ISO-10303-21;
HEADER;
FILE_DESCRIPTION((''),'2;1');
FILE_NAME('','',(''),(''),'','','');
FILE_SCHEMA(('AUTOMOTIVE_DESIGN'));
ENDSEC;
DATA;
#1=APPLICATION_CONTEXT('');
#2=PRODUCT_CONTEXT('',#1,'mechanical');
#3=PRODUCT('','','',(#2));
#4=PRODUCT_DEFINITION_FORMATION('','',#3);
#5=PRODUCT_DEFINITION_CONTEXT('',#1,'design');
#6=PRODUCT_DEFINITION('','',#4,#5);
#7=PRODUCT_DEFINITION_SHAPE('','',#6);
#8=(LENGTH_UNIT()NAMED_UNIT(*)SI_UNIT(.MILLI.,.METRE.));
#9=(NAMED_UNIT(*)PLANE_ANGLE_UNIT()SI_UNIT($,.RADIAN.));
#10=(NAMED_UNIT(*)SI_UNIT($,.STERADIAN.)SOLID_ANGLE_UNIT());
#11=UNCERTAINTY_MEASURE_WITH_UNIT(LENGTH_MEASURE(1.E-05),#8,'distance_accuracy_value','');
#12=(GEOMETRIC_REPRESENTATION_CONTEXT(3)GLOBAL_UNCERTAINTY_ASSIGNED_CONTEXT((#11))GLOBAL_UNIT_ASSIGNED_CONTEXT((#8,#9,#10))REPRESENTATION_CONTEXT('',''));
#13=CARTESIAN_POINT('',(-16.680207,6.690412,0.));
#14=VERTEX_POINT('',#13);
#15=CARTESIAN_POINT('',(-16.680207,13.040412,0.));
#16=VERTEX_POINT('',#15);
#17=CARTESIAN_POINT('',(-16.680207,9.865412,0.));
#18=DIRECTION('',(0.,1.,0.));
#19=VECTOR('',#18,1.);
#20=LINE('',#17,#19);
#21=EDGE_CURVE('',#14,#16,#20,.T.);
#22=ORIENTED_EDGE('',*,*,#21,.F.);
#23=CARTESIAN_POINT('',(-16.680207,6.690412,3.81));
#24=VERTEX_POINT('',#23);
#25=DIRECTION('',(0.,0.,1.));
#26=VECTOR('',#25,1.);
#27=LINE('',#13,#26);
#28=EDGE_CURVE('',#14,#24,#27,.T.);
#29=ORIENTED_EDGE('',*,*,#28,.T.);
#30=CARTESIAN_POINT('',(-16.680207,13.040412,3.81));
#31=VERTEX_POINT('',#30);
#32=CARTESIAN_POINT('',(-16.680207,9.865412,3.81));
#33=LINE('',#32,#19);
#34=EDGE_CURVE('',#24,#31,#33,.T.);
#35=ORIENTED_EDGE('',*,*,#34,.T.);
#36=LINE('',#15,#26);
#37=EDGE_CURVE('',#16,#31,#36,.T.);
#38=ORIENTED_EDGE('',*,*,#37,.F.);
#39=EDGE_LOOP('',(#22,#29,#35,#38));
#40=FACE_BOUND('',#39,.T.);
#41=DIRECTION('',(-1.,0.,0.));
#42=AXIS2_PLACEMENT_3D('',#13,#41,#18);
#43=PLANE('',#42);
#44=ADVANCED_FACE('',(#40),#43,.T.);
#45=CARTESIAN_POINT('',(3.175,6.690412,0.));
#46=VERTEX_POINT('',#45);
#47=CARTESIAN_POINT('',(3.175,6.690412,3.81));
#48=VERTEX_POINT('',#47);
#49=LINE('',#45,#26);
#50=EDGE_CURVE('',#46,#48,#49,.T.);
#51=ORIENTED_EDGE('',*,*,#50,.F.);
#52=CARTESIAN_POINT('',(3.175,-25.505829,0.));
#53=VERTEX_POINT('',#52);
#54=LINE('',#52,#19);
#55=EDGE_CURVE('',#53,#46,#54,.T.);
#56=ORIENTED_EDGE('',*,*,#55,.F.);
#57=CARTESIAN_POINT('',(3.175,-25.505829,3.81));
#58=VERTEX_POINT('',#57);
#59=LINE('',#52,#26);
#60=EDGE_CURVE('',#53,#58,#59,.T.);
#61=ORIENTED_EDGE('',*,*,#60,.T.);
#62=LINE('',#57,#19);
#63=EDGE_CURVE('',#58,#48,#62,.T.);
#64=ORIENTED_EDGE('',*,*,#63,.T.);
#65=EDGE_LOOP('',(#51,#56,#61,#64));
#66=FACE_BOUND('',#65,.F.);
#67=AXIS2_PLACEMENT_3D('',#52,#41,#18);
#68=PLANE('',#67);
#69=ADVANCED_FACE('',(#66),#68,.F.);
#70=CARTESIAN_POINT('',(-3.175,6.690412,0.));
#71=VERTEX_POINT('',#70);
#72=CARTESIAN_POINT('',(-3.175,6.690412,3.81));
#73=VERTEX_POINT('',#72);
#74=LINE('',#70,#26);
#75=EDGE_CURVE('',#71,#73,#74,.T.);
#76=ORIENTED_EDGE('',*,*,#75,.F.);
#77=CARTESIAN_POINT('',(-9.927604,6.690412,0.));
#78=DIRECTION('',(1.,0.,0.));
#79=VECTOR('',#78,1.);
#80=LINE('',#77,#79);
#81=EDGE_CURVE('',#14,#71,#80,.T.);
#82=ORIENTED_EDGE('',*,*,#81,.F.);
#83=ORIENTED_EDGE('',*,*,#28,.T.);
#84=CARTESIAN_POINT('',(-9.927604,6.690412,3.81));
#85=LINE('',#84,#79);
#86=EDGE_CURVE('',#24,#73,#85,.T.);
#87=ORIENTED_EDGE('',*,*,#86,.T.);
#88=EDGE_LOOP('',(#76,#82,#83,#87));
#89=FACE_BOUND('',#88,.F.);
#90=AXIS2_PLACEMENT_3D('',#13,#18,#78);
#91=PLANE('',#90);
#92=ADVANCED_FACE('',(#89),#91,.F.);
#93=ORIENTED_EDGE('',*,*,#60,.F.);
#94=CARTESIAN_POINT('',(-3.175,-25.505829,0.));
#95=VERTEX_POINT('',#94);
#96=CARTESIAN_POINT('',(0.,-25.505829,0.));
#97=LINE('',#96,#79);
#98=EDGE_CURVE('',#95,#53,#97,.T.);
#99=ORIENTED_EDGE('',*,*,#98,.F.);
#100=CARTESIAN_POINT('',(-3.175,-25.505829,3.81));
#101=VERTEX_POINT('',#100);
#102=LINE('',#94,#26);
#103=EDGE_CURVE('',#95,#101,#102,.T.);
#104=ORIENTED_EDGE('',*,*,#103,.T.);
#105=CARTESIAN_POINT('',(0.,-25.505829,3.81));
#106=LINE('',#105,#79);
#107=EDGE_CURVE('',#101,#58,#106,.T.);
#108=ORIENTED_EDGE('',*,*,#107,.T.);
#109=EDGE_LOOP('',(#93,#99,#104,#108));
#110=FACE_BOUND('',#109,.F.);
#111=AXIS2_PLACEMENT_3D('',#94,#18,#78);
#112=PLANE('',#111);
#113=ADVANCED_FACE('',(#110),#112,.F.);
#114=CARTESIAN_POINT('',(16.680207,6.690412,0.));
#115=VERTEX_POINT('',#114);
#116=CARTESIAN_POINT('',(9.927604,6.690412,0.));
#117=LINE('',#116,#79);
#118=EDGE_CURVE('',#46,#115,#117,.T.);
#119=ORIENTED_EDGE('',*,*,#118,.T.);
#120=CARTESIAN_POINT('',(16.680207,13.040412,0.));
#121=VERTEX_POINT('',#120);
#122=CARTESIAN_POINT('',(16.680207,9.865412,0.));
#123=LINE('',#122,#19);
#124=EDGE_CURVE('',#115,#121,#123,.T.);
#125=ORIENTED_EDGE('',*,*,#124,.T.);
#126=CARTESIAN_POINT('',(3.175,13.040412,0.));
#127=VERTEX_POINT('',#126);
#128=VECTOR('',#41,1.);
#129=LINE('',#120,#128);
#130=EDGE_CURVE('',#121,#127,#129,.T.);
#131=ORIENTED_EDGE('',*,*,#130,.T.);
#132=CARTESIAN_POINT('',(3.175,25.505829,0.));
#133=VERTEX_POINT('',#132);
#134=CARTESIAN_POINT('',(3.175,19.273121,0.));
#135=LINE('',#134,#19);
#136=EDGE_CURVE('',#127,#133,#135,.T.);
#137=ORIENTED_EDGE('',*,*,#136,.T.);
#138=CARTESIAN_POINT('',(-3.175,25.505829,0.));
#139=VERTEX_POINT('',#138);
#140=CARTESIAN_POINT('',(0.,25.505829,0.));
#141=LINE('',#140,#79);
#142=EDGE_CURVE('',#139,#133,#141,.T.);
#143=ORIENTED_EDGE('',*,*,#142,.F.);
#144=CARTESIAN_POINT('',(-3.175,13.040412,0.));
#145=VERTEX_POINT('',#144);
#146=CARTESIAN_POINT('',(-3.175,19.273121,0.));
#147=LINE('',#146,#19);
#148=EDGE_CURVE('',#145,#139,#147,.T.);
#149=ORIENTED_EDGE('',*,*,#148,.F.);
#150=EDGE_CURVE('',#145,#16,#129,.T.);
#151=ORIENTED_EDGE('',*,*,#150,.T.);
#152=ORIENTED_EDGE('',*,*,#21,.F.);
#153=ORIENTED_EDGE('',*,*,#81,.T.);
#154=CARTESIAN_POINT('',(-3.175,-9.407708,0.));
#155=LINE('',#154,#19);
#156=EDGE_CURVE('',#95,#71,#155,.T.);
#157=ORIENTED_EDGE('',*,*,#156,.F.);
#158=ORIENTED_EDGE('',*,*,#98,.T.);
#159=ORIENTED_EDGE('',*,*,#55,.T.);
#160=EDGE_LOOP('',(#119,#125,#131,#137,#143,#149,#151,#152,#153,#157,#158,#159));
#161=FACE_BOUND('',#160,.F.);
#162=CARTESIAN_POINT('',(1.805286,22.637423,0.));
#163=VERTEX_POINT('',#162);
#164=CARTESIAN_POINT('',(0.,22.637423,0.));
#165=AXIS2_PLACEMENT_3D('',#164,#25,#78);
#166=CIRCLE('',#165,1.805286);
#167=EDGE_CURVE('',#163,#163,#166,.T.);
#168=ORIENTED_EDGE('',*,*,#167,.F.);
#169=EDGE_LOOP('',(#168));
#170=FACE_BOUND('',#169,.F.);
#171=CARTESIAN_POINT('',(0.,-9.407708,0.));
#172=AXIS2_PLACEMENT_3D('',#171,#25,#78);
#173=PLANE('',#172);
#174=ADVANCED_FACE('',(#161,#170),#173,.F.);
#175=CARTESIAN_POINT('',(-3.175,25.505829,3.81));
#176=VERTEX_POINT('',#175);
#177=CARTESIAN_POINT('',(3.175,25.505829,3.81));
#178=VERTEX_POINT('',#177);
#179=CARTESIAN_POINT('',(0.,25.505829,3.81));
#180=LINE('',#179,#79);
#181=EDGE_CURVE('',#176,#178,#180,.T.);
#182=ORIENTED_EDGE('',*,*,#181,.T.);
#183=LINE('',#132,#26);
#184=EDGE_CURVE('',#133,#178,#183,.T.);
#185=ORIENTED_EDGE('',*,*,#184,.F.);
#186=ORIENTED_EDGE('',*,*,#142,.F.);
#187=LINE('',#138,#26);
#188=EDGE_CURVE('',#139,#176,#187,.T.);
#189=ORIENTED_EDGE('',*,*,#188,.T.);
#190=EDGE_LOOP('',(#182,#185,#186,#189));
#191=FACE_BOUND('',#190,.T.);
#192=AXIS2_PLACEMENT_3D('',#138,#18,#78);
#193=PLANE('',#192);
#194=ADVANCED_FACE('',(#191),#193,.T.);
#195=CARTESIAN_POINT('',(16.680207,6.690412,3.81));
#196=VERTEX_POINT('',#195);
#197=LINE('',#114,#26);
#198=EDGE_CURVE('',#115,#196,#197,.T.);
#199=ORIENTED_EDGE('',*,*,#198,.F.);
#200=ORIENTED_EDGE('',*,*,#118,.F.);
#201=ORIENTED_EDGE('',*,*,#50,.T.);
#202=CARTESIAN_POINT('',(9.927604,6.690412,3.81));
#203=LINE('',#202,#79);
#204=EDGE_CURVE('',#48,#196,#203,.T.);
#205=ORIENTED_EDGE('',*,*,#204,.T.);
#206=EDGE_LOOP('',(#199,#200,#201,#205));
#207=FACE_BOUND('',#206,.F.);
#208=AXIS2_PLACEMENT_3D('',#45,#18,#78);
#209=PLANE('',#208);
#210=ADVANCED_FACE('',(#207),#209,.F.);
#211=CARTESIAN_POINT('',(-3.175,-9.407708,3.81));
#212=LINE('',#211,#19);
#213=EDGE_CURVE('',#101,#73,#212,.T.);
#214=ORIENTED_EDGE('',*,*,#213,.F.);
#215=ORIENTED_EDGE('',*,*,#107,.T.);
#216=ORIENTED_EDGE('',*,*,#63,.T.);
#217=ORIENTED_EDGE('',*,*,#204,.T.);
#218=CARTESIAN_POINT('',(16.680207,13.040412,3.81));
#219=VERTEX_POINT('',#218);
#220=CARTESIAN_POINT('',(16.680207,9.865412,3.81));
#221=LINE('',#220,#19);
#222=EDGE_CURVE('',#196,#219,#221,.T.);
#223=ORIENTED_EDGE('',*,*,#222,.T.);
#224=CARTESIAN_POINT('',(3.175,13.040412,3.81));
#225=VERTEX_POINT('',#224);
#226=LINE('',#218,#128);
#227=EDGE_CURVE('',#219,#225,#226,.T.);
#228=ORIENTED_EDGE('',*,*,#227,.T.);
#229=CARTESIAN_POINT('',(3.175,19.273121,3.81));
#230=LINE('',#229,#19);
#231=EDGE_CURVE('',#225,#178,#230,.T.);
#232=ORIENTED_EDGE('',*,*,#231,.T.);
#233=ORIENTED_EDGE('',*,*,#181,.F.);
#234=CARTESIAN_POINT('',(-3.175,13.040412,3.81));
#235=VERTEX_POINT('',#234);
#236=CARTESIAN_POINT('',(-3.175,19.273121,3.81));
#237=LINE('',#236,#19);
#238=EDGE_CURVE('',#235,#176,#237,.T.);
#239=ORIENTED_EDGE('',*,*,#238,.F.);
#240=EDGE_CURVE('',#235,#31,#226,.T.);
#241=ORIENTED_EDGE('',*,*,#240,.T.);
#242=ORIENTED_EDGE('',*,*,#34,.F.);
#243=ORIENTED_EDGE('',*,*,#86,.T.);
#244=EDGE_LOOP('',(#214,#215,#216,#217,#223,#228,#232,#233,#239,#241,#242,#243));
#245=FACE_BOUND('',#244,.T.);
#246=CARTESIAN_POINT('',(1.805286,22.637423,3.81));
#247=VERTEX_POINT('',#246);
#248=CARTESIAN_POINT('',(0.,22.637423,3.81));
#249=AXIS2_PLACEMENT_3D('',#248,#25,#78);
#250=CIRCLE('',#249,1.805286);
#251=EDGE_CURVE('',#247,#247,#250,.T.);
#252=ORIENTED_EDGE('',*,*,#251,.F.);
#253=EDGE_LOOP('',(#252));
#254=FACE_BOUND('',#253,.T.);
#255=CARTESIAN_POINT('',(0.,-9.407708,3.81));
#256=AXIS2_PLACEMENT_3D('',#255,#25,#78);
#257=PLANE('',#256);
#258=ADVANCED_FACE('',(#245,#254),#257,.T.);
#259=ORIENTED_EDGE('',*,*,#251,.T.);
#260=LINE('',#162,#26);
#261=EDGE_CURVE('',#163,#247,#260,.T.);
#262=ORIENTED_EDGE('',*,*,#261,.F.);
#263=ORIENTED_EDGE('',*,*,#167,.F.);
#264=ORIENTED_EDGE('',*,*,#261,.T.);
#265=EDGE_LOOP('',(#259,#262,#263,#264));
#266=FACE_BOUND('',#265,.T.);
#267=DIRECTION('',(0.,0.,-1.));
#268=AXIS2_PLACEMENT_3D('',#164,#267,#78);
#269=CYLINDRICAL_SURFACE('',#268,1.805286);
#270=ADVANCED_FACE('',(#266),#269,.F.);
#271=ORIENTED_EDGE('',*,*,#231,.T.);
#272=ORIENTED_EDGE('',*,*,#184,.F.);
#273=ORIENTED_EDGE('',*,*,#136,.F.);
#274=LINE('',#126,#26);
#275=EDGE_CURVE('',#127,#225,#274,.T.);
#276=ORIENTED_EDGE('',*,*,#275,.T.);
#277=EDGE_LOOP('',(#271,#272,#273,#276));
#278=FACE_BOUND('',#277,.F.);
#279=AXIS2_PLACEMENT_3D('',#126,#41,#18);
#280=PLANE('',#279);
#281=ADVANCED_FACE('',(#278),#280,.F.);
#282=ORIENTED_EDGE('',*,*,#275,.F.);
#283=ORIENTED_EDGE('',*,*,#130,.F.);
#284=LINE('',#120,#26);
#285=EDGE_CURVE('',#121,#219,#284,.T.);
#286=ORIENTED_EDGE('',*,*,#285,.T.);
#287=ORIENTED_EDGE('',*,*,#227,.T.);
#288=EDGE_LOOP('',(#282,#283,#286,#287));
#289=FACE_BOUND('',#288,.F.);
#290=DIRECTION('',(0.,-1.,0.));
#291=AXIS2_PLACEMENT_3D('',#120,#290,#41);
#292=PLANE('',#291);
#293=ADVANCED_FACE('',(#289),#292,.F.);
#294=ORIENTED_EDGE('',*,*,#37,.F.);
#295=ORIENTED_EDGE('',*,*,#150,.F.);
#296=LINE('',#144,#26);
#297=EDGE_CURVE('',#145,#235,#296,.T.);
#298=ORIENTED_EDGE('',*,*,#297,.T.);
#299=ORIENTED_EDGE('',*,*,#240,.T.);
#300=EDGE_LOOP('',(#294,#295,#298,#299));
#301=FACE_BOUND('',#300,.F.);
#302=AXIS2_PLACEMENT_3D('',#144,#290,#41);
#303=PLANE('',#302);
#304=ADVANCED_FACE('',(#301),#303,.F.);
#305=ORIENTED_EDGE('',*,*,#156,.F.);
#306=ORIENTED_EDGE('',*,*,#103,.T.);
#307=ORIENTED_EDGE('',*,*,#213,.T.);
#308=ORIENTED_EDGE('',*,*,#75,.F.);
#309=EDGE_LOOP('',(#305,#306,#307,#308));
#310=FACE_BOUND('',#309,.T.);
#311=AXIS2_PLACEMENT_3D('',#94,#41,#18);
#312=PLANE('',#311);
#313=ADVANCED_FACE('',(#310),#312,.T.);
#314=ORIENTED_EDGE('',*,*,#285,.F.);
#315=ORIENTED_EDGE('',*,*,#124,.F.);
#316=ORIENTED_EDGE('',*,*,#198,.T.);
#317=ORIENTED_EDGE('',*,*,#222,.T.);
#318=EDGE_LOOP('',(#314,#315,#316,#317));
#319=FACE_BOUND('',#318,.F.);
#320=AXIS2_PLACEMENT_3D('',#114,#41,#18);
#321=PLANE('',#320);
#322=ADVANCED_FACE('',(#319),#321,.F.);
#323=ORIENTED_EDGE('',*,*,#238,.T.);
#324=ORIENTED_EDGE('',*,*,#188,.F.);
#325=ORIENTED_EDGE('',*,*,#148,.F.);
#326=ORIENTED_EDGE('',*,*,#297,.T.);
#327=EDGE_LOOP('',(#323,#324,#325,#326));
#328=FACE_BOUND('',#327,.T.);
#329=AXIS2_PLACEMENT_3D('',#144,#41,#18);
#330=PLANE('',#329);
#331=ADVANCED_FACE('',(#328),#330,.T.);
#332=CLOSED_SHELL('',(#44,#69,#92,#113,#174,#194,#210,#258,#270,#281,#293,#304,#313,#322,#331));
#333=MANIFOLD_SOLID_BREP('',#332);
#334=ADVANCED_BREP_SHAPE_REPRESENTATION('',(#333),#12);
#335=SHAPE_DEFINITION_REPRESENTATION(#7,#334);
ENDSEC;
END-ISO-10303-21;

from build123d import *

# Parameters (mm, degrees)
F0_W     = 6.35
F0_H     = 32.1962414332
F0_W_2   = 13.5052071035
F0_H_2   = 6.35
F0_H_3   = 12.4654168449
F0_R     = 1.8052856111
F1_DEPTH = 3.81


with BuildPart() as f1:
    # F0 (on Top) → F1 (new body)
    with BuildSketch(Plane.XY):
        with Locations((0, -9.4077084225)):
            Rectangle(F0_W, F0_H)
        with Locations((-9.9276035517, 9.8654122941)):
            Rectangle(F0_W_2, F0_H_2)
        with Locations((0, 9.8654122941)):
            Rectangle(F0_W, F0_H_2)
        with Locations((9.9276035517, 9.8654122941)):
            Rectangle(F0_W_2, F0_H_2)
        with Locations((0, 19.2731207166)):
            Rectangle(F0_W, F0_H_3)
        with Locations((0, 22.6374231279)):
            Circle(F0_R, mode=Mode.SUBTRACT)
    extrude(amount=F1_DEPTH)


solid = f1.part
